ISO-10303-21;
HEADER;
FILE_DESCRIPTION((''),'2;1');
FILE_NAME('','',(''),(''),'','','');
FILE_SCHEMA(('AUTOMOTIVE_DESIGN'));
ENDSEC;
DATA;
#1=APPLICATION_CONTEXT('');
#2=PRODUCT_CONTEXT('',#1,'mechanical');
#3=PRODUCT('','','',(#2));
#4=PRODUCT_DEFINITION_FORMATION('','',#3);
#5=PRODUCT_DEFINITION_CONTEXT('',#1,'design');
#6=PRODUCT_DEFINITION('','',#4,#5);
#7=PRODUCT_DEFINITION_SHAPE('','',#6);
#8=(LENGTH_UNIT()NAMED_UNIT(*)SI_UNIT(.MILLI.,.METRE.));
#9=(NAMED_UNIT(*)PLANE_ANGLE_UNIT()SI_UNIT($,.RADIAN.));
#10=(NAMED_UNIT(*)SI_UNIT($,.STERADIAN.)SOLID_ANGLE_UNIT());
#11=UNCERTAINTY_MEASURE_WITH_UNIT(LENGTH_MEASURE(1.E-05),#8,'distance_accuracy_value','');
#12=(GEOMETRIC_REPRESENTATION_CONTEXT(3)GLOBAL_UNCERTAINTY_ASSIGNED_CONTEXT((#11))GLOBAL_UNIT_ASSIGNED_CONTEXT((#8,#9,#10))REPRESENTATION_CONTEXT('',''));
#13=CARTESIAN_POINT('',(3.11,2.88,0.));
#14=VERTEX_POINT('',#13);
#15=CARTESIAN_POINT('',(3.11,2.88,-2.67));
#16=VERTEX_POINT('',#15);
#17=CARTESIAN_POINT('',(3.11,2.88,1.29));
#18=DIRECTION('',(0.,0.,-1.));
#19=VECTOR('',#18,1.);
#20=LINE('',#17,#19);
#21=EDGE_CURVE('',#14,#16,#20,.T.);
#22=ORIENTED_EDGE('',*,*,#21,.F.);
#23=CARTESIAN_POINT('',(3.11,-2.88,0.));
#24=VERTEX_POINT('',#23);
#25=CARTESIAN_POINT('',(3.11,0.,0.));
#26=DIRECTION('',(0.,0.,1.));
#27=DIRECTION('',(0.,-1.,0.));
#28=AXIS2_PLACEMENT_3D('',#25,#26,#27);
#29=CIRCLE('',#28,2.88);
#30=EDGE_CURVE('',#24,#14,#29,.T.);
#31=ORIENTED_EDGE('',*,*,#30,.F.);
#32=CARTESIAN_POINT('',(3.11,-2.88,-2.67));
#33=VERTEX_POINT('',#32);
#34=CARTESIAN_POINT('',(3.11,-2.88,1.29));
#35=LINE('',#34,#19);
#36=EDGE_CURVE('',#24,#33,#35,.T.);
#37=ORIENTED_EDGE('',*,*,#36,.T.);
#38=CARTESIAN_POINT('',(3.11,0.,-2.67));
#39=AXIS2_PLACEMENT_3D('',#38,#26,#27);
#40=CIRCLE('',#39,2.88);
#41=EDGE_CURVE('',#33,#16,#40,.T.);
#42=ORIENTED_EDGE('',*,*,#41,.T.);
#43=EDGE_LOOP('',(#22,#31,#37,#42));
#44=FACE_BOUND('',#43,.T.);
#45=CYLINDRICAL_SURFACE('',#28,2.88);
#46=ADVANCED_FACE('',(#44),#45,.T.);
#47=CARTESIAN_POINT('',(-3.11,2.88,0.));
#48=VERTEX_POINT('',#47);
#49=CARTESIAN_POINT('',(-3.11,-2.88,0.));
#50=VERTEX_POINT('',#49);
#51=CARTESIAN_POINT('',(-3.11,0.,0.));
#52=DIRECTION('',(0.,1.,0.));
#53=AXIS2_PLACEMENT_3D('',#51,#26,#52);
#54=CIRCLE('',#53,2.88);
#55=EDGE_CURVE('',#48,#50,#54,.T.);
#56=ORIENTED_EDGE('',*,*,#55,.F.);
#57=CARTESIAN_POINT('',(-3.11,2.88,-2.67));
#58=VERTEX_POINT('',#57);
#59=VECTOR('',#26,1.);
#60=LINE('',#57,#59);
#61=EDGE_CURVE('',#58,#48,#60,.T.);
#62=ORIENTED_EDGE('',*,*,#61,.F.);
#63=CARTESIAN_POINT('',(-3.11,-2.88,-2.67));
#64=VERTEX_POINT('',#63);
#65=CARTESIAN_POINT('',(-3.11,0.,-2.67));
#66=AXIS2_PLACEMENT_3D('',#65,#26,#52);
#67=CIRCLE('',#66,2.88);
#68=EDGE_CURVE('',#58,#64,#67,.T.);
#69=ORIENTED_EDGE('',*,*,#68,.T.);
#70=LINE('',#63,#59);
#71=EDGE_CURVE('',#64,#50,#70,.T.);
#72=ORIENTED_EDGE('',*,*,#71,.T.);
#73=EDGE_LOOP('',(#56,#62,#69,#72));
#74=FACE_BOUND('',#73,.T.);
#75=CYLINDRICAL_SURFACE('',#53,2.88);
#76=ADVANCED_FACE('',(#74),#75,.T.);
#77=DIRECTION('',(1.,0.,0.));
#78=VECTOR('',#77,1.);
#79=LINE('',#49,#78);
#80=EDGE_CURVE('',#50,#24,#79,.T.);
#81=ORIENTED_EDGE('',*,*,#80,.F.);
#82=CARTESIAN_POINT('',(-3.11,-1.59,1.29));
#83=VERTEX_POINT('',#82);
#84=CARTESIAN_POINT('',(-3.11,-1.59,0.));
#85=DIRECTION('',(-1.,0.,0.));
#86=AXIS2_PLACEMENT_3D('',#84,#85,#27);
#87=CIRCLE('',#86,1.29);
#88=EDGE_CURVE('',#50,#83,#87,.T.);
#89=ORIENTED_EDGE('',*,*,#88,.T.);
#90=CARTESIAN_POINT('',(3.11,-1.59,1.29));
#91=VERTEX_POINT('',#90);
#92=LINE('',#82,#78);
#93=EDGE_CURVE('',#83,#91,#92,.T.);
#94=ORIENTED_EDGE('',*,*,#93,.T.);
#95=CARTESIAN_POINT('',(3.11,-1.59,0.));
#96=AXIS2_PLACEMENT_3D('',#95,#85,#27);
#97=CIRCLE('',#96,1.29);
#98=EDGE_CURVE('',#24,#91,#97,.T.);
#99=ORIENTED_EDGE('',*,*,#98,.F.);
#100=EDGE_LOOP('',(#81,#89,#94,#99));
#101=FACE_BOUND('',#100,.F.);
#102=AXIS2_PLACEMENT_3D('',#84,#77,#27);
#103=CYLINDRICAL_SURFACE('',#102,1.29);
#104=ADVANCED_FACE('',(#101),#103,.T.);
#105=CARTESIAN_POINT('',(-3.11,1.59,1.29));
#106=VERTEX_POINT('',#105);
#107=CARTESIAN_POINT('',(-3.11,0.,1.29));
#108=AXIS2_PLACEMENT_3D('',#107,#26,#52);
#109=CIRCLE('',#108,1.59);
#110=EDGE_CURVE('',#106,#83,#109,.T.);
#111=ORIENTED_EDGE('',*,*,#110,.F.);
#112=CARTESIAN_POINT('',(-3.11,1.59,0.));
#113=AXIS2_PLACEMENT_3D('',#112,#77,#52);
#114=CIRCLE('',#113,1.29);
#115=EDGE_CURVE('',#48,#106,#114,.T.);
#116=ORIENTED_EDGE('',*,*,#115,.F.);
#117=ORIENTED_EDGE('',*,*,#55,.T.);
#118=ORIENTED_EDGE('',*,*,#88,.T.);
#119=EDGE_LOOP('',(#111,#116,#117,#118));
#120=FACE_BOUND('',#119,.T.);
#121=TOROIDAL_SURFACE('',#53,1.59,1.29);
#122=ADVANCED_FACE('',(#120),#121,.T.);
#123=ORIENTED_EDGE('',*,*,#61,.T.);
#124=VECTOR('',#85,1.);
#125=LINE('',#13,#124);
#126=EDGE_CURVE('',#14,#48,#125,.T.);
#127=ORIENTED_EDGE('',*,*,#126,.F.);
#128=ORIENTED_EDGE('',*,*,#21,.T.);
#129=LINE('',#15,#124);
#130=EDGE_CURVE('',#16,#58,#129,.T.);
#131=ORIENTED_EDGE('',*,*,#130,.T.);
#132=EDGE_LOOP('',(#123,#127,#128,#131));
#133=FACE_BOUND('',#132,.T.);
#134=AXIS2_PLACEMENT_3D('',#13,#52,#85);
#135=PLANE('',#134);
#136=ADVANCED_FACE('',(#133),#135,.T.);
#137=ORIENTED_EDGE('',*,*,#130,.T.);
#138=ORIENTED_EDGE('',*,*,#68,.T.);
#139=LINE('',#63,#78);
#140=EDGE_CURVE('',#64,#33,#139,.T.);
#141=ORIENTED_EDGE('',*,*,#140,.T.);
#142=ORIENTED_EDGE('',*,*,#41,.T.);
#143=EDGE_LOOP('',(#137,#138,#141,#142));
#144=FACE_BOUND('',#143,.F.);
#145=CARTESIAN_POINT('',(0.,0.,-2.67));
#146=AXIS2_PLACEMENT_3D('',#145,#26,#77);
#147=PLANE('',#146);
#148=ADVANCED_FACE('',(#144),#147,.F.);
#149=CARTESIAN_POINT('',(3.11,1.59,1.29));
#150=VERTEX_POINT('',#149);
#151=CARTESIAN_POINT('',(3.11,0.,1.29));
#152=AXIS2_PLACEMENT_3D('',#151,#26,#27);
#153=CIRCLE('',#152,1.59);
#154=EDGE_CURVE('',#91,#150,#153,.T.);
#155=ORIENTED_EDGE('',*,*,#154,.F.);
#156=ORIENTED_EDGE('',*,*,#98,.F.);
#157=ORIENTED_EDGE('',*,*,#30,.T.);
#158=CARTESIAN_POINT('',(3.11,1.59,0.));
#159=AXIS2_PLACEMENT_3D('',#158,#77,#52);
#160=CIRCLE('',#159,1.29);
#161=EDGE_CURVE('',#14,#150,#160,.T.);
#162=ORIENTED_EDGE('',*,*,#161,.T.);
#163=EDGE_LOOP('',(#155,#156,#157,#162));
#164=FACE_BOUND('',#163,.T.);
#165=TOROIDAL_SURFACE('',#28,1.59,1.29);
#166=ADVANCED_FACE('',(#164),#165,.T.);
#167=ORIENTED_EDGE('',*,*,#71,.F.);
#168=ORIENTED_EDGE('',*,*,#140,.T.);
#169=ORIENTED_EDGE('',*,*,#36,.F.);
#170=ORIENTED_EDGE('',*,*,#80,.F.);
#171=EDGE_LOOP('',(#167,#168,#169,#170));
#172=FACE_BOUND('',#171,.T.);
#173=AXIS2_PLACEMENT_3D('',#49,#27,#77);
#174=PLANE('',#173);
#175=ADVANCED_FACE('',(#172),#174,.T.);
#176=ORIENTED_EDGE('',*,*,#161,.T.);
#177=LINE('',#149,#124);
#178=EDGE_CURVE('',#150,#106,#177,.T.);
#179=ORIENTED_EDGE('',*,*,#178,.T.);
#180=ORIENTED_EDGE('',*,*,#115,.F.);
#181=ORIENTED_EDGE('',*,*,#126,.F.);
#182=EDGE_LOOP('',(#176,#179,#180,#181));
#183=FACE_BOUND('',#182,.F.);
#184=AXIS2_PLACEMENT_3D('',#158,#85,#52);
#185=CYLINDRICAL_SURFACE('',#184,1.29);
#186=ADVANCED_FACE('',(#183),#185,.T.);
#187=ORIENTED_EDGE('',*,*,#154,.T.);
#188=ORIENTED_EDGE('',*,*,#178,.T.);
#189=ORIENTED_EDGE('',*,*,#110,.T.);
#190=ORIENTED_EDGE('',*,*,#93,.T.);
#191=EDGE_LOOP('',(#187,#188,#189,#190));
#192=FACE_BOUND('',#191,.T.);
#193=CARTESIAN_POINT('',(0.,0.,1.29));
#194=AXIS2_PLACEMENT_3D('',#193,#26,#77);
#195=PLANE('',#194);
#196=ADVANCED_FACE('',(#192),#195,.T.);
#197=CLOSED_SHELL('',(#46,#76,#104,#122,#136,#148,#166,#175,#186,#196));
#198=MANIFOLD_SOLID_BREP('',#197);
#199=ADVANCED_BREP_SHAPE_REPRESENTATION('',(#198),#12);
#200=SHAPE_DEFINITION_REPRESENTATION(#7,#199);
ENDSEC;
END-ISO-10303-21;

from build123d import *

# Parameters (mm, degrees)
F1_DEPTH      = 1.29
F1_DEPTH_BACK = 2.67
F2_R          = 1.29


with BuildPart() as f1:
    # F0 (on Top) → F1 (new body, two sides)
    with BuildSketch(Plane.XY) as f1_sk:
        with BuildLine():
            Line((3.11, 2.88), (-3.11, 2.88))
            ThreePointArc((-3.11, 2.88), (-5.99, 0), (-3.11, -2.88))
            Line((-3.11, -2.88), (3.11, -2.88))
            ThreePointArc((3.11, -2.88), (5.99, 0), (3.11, 2.88))
        make_face()
    extrude(amount=F1_DEPTH)
    extrude(f1_sk.sketch, amount=-F1_DEPTH_BACK)

    # F2
    f2_edges = [f1.edges().sort_by_distance(p)[0] for p in [
        (5.99, 0, 1.29),
        (0, 2.88, 1.29),
        (0, -2.88, 1.29),
        (-5.99, 0, 1.29),
    ]]
    fillet(f2_edges, radius=F2_R)


solid = f1.part
